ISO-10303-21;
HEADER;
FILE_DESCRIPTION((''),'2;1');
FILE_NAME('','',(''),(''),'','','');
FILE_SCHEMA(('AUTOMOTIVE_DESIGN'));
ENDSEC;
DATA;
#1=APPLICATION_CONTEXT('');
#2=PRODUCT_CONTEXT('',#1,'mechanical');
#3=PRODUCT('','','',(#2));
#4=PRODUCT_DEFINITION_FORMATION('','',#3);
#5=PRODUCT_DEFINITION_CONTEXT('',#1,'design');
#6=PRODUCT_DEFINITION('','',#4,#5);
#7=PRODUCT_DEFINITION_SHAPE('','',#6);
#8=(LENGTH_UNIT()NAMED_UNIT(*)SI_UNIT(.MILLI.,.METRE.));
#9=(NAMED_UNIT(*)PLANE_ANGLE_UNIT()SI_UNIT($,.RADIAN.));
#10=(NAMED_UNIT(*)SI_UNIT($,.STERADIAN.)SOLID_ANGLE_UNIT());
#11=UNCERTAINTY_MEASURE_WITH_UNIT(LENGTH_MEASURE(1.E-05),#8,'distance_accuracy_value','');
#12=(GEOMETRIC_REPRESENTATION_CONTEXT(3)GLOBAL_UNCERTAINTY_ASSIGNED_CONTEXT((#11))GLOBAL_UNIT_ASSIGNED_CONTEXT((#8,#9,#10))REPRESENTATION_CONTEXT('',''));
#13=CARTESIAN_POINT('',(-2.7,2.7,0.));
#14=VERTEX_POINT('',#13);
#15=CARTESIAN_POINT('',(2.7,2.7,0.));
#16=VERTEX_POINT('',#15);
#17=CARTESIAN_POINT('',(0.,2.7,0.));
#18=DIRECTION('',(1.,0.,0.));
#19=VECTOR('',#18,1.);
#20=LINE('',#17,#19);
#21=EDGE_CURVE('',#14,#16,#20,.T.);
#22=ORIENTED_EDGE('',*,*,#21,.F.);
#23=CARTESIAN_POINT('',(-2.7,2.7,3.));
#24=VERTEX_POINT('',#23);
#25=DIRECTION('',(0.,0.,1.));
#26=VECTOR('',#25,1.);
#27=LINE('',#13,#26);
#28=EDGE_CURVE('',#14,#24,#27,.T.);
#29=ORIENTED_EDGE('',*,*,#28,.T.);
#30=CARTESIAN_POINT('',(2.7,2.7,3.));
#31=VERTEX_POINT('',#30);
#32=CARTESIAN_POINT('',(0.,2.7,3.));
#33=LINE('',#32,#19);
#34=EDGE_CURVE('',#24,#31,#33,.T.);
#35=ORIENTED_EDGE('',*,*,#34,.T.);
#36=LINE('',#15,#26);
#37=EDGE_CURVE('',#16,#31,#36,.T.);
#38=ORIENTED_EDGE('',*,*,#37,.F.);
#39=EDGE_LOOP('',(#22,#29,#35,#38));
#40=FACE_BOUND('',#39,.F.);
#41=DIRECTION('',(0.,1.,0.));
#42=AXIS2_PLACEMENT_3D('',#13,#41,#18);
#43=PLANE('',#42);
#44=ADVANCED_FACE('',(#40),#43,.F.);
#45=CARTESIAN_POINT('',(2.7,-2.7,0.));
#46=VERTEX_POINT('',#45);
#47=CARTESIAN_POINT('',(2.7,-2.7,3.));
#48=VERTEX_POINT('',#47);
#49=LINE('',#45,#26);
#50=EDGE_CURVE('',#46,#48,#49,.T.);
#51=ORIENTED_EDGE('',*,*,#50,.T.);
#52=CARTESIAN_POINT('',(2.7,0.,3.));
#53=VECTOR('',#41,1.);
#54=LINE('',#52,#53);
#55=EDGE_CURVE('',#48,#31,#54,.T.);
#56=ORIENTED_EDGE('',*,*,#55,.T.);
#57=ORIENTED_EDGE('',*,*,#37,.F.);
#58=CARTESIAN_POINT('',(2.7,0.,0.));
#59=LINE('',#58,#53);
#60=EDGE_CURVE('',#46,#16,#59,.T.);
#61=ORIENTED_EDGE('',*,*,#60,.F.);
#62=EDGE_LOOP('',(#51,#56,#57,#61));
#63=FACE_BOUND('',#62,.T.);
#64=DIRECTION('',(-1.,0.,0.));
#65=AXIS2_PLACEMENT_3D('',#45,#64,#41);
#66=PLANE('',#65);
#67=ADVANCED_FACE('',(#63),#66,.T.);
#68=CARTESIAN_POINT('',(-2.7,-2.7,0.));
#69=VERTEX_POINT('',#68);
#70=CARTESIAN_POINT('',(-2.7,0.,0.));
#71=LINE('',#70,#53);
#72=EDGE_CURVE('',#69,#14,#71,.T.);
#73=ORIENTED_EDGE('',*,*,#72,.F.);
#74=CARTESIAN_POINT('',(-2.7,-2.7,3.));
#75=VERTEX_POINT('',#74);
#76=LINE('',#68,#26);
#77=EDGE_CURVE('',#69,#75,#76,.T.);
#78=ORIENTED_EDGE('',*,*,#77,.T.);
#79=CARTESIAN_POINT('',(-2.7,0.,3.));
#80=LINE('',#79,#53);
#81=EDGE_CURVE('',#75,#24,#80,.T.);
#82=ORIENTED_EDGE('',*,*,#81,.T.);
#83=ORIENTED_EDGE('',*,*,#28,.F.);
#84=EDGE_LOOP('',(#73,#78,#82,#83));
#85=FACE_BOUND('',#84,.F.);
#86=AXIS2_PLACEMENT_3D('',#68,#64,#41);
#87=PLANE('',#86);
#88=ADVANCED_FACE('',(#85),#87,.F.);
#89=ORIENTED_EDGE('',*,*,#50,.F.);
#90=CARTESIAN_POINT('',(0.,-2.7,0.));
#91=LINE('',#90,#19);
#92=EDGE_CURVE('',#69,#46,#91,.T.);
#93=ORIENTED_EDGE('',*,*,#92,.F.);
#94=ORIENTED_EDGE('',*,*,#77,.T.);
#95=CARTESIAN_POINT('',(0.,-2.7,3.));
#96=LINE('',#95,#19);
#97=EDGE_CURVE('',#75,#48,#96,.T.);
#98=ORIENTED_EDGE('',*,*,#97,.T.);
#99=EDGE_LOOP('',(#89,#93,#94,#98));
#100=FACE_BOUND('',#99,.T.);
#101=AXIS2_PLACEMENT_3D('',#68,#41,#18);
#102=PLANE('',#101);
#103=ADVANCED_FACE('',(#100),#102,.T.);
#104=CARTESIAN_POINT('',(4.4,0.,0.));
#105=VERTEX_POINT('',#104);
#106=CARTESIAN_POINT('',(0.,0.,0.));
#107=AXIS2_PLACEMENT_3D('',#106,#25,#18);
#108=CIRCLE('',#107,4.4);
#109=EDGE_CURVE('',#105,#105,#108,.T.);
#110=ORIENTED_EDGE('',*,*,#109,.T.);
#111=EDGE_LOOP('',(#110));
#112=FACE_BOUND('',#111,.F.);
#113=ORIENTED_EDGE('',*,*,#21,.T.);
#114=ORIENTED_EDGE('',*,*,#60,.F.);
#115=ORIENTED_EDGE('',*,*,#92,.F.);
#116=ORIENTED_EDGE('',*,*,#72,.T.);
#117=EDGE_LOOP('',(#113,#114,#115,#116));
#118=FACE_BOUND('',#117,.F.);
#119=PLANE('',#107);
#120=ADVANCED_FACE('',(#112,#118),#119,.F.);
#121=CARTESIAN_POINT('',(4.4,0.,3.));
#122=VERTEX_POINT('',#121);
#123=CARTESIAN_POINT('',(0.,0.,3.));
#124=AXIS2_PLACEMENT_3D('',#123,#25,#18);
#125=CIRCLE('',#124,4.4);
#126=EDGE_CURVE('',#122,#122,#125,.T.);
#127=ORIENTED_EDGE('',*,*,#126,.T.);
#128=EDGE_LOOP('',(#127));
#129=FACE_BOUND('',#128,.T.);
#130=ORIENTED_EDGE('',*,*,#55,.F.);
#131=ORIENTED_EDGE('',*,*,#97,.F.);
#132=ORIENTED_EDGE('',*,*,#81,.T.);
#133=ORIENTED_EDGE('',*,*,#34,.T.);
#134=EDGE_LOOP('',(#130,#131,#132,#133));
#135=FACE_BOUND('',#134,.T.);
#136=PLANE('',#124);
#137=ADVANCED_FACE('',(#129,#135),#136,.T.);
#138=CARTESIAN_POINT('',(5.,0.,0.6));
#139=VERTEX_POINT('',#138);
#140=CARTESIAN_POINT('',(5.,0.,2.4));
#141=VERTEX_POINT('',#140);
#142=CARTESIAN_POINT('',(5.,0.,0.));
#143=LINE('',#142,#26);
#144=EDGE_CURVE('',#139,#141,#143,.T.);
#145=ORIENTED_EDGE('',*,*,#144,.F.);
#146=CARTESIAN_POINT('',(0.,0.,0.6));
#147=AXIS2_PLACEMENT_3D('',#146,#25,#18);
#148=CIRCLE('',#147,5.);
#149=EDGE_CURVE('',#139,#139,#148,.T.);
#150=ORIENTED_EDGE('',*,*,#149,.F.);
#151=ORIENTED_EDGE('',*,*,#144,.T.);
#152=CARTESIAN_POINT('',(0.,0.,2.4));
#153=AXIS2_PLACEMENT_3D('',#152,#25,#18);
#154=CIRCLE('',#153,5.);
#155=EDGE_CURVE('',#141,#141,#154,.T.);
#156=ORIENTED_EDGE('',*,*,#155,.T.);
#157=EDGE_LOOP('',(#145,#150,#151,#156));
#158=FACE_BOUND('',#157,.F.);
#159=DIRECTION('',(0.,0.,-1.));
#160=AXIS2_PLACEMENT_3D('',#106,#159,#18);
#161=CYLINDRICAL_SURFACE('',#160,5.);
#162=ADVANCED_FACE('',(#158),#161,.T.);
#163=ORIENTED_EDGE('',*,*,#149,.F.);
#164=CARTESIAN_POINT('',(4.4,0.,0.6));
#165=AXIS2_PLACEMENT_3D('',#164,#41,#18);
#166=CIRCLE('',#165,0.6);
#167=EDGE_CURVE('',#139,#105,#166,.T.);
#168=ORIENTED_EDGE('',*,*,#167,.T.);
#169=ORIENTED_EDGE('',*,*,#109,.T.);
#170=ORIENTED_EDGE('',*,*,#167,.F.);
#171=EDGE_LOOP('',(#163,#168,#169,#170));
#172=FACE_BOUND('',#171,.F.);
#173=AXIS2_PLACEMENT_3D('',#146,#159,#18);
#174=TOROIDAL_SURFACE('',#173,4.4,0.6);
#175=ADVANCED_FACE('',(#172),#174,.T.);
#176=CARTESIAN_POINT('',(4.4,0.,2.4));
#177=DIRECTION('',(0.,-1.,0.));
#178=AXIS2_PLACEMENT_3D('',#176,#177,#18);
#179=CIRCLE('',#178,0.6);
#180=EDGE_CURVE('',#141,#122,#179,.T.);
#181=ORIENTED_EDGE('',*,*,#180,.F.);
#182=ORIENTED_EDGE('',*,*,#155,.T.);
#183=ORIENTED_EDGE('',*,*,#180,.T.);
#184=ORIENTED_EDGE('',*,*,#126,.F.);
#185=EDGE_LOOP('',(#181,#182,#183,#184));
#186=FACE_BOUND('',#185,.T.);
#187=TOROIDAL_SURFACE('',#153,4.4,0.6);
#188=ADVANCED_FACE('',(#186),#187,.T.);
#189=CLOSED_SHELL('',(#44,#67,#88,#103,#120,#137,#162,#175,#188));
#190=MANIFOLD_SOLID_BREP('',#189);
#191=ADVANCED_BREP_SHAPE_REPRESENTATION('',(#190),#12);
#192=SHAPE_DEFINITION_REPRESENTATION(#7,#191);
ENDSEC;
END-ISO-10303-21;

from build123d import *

# Parameters (mm, degrees)
F0_R     = 5
F0_W     = 5.4
F0_H     = 5.4
F1_DEPTH = 3
F2_R     = 0.6


with BuildPart() as f1:
    # F0 (on Top) → F1 (new body)
    with BuildSketch(Plane.XY):
        Circle(F0_R)
        Rectangle(F0_W, F0_H, mode=Mode.SUBTRACT)
    extrude(amount=F1_DEPTH)

    # F2
    f2_edges = [f1.edges().sort_by_distance(p)[0] for p in [
        (5, 0, 1.5),
        (-5, 0, 0),
        (-5, 0, 3),
    ]]
    fillet(f2_edges, radius=F2_R)


solid = f1.part
